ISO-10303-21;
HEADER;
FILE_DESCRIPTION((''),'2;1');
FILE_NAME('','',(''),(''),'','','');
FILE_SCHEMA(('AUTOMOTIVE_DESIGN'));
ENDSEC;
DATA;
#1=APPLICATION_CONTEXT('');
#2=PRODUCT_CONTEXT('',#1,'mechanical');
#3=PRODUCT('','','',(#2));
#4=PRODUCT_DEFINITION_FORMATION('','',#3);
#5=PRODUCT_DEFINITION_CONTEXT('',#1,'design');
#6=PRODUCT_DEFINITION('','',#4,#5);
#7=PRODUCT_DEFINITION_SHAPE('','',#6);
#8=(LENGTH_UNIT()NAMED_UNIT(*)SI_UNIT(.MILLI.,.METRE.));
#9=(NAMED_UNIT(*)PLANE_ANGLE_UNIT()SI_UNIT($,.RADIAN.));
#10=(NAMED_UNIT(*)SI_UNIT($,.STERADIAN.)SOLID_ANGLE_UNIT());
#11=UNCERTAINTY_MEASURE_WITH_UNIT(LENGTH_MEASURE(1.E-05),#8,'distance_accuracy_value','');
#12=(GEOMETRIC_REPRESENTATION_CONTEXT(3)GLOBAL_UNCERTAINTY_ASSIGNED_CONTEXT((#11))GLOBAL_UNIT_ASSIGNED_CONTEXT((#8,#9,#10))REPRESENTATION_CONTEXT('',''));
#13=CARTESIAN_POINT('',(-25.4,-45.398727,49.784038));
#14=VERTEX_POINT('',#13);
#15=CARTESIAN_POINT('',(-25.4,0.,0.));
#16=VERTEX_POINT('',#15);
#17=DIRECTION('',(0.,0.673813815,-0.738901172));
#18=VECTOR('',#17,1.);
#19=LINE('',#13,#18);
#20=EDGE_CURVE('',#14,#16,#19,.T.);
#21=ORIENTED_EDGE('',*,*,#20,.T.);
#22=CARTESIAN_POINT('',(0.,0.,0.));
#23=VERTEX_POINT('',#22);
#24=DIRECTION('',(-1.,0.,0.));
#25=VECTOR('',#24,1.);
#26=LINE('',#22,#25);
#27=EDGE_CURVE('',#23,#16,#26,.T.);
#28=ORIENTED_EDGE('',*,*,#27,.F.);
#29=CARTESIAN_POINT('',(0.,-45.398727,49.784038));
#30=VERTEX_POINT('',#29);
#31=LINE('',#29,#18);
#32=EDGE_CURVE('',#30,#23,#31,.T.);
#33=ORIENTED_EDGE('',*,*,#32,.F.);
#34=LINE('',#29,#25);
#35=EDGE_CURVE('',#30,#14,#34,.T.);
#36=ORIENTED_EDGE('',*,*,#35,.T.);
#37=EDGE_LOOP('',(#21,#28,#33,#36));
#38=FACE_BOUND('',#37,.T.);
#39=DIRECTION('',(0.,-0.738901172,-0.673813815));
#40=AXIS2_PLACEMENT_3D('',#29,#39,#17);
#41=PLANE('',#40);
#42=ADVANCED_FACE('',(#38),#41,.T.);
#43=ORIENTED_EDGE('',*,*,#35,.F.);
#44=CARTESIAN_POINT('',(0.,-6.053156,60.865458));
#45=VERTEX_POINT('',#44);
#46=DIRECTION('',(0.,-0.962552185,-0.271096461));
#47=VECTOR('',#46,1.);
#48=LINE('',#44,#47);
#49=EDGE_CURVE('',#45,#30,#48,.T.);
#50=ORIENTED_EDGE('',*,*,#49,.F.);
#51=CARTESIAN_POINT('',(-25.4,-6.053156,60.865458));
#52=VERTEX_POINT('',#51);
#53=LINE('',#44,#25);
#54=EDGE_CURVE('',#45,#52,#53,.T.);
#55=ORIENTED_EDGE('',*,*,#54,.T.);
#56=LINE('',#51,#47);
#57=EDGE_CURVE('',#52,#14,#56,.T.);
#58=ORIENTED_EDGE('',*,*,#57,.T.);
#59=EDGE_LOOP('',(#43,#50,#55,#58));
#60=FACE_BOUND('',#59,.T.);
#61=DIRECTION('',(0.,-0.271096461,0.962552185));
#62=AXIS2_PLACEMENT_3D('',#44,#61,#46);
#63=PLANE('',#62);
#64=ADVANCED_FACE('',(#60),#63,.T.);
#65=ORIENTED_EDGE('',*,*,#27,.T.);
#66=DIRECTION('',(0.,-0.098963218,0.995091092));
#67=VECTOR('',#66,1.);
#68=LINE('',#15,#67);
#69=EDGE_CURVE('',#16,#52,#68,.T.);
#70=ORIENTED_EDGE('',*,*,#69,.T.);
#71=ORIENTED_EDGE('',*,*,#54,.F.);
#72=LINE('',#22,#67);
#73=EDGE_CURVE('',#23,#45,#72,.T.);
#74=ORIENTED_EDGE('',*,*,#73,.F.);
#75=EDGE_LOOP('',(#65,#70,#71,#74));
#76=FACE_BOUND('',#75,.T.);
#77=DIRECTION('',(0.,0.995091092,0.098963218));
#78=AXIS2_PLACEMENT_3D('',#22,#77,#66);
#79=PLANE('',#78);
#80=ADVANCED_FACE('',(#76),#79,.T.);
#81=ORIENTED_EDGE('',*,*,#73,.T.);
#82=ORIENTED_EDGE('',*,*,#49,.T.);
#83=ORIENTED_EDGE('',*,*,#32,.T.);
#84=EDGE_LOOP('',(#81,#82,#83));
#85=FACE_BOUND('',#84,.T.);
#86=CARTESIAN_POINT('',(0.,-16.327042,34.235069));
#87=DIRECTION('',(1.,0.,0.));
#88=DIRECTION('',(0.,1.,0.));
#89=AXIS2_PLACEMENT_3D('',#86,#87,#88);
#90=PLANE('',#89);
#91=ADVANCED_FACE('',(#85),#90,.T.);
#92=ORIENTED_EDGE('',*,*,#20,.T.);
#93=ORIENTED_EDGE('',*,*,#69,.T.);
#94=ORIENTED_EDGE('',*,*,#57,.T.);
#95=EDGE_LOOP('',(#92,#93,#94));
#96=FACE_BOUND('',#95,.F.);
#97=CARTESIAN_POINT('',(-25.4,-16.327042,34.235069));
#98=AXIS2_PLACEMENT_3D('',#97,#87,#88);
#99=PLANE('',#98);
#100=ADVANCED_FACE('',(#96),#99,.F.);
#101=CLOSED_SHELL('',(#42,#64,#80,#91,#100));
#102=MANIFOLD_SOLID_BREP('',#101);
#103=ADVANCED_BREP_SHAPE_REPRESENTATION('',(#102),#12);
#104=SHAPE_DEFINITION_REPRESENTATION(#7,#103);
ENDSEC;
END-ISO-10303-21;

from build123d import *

# Parameters (mm, degrees)
F1_DEPTH = 25.4


with BuildPart() as f1:
    # F0 (on Right) → F1 (new body)
    with BuildSketch(Plane.YZ):
        Polygon((-6.053156, 60.865458), (-45.398727, 49.784038), (0, 0), align=None)
    extrude(amount=-F1_DEPTH)


solid = f1.part
